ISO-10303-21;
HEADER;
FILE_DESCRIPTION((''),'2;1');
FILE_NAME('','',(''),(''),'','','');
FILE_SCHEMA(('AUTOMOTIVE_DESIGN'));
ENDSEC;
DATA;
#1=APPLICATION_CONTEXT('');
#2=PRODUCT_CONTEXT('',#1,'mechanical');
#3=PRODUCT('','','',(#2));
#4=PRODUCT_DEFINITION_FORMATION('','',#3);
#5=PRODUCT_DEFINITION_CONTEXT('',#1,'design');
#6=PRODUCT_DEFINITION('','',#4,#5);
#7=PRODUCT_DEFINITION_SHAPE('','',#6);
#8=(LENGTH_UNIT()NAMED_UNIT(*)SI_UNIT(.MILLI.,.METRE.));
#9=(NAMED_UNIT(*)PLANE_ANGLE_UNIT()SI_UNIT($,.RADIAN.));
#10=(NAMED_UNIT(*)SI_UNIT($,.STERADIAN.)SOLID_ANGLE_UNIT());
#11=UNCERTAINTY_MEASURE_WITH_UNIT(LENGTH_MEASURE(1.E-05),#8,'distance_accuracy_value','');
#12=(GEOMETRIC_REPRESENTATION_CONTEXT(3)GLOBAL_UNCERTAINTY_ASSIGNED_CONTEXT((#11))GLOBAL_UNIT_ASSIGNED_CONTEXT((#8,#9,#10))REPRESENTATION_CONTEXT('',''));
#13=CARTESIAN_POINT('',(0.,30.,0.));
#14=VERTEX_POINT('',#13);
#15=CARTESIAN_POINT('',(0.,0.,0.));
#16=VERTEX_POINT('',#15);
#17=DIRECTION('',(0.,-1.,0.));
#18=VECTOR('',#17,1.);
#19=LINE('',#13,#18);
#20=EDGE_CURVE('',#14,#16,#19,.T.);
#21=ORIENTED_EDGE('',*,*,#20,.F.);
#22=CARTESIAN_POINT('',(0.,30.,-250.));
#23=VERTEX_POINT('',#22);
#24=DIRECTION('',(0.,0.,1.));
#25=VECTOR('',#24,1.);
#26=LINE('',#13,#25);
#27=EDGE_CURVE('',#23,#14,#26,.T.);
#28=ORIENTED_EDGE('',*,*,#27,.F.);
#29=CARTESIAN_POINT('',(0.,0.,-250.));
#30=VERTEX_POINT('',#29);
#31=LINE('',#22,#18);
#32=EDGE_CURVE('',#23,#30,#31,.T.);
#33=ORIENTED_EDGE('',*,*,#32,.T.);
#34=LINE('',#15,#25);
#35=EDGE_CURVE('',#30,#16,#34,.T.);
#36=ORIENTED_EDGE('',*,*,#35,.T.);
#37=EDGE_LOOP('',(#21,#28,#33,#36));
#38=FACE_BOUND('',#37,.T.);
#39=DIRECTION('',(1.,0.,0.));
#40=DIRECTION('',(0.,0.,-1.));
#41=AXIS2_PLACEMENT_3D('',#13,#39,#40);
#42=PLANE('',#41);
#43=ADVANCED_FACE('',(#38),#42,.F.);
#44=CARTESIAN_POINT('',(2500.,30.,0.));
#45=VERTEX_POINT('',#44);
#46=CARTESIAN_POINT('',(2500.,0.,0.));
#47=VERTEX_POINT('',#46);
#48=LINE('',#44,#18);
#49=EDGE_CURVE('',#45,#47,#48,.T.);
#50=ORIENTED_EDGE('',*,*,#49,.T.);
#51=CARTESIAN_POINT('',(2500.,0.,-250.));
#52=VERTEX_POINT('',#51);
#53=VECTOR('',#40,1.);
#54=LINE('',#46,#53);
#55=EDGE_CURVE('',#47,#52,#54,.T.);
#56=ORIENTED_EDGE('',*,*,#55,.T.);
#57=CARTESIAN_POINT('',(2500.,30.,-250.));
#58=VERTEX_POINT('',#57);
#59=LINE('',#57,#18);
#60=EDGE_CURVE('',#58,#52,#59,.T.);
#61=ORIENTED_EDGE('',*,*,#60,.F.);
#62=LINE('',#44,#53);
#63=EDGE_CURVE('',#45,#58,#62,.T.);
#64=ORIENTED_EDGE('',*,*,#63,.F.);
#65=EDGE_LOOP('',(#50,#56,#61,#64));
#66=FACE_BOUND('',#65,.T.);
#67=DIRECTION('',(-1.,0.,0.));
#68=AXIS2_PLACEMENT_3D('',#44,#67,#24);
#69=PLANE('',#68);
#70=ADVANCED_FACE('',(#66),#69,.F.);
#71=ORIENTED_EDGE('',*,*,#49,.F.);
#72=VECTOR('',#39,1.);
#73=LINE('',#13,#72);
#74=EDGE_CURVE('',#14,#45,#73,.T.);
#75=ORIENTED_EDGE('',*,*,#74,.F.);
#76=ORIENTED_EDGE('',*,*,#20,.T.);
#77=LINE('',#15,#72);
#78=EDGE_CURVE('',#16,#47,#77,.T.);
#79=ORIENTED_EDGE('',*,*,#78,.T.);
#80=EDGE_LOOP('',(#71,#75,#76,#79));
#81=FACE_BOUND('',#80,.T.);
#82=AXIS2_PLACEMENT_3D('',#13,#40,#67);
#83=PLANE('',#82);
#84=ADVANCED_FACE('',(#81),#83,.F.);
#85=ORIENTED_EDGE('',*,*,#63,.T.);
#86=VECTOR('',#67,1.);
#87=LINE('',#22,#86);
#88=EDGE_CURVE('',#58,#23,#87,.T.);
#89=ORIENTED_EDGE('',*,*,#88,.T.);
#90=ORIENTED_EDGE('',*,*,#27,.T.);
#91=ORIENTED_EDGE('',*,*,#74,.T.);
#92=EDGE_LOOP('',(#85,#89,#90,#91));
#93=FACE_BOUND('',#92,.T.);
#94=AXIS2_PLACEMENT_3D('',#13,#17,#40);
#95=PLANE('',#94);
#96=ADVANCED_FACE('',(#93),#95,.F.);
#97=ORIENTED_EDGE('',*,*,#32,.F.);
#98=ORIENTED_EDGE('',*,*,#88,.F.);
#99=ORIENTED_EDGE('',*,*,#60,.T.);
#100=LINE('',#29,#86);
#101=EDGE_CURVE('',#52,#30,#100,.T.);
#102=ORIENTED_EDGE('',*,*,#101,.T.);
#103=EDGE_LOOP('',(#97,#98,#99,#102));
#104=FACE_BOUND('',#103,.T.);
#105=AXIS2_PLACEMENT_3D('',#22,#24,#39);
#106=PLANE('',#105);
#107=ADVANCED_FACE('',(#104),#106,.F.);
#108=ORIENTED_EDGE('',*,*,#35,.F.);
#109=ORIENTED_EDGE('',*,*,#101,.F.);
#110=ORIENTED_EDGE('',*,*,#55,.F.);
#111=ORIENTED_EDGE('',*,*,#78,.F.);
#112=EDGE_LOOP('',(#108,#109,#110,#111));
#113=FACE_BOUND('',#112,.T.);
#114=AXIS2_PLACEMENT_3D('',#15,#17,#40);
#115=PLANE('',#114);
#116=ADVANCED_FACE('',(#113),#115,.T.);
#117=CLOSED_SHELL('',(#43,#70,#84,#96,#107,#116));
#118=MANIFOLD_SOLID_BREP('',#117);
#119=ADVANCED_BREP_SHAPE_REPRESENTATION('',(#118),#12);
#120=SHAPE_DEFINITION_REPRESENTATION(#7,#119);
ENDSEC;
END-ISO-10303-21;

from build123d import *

# Parameters (mm, degrees)
SCHIZZO1_W                   = 2500
SCHIZZO1_H                   = 250
ESTRUSIONE_ESTRUSIONE1_DEPTH = 30


with BuildPart() as part:
    # Schizzo1 → Estrusione-Estrusione1 (new body)
    with BuildSketch(Plane(origin=(0, 0, 0), x_dir=(1, 0, 0), z_dir=(0, 1, 0))):
        with Locations((1250, 125)):
            Rectangle(SCHIZZO1_W, SCHIZZO1_H)
    extrude(amount=ESTRUSIONE_ESTRUSIONE1_DEPTH)


solid = part.part
